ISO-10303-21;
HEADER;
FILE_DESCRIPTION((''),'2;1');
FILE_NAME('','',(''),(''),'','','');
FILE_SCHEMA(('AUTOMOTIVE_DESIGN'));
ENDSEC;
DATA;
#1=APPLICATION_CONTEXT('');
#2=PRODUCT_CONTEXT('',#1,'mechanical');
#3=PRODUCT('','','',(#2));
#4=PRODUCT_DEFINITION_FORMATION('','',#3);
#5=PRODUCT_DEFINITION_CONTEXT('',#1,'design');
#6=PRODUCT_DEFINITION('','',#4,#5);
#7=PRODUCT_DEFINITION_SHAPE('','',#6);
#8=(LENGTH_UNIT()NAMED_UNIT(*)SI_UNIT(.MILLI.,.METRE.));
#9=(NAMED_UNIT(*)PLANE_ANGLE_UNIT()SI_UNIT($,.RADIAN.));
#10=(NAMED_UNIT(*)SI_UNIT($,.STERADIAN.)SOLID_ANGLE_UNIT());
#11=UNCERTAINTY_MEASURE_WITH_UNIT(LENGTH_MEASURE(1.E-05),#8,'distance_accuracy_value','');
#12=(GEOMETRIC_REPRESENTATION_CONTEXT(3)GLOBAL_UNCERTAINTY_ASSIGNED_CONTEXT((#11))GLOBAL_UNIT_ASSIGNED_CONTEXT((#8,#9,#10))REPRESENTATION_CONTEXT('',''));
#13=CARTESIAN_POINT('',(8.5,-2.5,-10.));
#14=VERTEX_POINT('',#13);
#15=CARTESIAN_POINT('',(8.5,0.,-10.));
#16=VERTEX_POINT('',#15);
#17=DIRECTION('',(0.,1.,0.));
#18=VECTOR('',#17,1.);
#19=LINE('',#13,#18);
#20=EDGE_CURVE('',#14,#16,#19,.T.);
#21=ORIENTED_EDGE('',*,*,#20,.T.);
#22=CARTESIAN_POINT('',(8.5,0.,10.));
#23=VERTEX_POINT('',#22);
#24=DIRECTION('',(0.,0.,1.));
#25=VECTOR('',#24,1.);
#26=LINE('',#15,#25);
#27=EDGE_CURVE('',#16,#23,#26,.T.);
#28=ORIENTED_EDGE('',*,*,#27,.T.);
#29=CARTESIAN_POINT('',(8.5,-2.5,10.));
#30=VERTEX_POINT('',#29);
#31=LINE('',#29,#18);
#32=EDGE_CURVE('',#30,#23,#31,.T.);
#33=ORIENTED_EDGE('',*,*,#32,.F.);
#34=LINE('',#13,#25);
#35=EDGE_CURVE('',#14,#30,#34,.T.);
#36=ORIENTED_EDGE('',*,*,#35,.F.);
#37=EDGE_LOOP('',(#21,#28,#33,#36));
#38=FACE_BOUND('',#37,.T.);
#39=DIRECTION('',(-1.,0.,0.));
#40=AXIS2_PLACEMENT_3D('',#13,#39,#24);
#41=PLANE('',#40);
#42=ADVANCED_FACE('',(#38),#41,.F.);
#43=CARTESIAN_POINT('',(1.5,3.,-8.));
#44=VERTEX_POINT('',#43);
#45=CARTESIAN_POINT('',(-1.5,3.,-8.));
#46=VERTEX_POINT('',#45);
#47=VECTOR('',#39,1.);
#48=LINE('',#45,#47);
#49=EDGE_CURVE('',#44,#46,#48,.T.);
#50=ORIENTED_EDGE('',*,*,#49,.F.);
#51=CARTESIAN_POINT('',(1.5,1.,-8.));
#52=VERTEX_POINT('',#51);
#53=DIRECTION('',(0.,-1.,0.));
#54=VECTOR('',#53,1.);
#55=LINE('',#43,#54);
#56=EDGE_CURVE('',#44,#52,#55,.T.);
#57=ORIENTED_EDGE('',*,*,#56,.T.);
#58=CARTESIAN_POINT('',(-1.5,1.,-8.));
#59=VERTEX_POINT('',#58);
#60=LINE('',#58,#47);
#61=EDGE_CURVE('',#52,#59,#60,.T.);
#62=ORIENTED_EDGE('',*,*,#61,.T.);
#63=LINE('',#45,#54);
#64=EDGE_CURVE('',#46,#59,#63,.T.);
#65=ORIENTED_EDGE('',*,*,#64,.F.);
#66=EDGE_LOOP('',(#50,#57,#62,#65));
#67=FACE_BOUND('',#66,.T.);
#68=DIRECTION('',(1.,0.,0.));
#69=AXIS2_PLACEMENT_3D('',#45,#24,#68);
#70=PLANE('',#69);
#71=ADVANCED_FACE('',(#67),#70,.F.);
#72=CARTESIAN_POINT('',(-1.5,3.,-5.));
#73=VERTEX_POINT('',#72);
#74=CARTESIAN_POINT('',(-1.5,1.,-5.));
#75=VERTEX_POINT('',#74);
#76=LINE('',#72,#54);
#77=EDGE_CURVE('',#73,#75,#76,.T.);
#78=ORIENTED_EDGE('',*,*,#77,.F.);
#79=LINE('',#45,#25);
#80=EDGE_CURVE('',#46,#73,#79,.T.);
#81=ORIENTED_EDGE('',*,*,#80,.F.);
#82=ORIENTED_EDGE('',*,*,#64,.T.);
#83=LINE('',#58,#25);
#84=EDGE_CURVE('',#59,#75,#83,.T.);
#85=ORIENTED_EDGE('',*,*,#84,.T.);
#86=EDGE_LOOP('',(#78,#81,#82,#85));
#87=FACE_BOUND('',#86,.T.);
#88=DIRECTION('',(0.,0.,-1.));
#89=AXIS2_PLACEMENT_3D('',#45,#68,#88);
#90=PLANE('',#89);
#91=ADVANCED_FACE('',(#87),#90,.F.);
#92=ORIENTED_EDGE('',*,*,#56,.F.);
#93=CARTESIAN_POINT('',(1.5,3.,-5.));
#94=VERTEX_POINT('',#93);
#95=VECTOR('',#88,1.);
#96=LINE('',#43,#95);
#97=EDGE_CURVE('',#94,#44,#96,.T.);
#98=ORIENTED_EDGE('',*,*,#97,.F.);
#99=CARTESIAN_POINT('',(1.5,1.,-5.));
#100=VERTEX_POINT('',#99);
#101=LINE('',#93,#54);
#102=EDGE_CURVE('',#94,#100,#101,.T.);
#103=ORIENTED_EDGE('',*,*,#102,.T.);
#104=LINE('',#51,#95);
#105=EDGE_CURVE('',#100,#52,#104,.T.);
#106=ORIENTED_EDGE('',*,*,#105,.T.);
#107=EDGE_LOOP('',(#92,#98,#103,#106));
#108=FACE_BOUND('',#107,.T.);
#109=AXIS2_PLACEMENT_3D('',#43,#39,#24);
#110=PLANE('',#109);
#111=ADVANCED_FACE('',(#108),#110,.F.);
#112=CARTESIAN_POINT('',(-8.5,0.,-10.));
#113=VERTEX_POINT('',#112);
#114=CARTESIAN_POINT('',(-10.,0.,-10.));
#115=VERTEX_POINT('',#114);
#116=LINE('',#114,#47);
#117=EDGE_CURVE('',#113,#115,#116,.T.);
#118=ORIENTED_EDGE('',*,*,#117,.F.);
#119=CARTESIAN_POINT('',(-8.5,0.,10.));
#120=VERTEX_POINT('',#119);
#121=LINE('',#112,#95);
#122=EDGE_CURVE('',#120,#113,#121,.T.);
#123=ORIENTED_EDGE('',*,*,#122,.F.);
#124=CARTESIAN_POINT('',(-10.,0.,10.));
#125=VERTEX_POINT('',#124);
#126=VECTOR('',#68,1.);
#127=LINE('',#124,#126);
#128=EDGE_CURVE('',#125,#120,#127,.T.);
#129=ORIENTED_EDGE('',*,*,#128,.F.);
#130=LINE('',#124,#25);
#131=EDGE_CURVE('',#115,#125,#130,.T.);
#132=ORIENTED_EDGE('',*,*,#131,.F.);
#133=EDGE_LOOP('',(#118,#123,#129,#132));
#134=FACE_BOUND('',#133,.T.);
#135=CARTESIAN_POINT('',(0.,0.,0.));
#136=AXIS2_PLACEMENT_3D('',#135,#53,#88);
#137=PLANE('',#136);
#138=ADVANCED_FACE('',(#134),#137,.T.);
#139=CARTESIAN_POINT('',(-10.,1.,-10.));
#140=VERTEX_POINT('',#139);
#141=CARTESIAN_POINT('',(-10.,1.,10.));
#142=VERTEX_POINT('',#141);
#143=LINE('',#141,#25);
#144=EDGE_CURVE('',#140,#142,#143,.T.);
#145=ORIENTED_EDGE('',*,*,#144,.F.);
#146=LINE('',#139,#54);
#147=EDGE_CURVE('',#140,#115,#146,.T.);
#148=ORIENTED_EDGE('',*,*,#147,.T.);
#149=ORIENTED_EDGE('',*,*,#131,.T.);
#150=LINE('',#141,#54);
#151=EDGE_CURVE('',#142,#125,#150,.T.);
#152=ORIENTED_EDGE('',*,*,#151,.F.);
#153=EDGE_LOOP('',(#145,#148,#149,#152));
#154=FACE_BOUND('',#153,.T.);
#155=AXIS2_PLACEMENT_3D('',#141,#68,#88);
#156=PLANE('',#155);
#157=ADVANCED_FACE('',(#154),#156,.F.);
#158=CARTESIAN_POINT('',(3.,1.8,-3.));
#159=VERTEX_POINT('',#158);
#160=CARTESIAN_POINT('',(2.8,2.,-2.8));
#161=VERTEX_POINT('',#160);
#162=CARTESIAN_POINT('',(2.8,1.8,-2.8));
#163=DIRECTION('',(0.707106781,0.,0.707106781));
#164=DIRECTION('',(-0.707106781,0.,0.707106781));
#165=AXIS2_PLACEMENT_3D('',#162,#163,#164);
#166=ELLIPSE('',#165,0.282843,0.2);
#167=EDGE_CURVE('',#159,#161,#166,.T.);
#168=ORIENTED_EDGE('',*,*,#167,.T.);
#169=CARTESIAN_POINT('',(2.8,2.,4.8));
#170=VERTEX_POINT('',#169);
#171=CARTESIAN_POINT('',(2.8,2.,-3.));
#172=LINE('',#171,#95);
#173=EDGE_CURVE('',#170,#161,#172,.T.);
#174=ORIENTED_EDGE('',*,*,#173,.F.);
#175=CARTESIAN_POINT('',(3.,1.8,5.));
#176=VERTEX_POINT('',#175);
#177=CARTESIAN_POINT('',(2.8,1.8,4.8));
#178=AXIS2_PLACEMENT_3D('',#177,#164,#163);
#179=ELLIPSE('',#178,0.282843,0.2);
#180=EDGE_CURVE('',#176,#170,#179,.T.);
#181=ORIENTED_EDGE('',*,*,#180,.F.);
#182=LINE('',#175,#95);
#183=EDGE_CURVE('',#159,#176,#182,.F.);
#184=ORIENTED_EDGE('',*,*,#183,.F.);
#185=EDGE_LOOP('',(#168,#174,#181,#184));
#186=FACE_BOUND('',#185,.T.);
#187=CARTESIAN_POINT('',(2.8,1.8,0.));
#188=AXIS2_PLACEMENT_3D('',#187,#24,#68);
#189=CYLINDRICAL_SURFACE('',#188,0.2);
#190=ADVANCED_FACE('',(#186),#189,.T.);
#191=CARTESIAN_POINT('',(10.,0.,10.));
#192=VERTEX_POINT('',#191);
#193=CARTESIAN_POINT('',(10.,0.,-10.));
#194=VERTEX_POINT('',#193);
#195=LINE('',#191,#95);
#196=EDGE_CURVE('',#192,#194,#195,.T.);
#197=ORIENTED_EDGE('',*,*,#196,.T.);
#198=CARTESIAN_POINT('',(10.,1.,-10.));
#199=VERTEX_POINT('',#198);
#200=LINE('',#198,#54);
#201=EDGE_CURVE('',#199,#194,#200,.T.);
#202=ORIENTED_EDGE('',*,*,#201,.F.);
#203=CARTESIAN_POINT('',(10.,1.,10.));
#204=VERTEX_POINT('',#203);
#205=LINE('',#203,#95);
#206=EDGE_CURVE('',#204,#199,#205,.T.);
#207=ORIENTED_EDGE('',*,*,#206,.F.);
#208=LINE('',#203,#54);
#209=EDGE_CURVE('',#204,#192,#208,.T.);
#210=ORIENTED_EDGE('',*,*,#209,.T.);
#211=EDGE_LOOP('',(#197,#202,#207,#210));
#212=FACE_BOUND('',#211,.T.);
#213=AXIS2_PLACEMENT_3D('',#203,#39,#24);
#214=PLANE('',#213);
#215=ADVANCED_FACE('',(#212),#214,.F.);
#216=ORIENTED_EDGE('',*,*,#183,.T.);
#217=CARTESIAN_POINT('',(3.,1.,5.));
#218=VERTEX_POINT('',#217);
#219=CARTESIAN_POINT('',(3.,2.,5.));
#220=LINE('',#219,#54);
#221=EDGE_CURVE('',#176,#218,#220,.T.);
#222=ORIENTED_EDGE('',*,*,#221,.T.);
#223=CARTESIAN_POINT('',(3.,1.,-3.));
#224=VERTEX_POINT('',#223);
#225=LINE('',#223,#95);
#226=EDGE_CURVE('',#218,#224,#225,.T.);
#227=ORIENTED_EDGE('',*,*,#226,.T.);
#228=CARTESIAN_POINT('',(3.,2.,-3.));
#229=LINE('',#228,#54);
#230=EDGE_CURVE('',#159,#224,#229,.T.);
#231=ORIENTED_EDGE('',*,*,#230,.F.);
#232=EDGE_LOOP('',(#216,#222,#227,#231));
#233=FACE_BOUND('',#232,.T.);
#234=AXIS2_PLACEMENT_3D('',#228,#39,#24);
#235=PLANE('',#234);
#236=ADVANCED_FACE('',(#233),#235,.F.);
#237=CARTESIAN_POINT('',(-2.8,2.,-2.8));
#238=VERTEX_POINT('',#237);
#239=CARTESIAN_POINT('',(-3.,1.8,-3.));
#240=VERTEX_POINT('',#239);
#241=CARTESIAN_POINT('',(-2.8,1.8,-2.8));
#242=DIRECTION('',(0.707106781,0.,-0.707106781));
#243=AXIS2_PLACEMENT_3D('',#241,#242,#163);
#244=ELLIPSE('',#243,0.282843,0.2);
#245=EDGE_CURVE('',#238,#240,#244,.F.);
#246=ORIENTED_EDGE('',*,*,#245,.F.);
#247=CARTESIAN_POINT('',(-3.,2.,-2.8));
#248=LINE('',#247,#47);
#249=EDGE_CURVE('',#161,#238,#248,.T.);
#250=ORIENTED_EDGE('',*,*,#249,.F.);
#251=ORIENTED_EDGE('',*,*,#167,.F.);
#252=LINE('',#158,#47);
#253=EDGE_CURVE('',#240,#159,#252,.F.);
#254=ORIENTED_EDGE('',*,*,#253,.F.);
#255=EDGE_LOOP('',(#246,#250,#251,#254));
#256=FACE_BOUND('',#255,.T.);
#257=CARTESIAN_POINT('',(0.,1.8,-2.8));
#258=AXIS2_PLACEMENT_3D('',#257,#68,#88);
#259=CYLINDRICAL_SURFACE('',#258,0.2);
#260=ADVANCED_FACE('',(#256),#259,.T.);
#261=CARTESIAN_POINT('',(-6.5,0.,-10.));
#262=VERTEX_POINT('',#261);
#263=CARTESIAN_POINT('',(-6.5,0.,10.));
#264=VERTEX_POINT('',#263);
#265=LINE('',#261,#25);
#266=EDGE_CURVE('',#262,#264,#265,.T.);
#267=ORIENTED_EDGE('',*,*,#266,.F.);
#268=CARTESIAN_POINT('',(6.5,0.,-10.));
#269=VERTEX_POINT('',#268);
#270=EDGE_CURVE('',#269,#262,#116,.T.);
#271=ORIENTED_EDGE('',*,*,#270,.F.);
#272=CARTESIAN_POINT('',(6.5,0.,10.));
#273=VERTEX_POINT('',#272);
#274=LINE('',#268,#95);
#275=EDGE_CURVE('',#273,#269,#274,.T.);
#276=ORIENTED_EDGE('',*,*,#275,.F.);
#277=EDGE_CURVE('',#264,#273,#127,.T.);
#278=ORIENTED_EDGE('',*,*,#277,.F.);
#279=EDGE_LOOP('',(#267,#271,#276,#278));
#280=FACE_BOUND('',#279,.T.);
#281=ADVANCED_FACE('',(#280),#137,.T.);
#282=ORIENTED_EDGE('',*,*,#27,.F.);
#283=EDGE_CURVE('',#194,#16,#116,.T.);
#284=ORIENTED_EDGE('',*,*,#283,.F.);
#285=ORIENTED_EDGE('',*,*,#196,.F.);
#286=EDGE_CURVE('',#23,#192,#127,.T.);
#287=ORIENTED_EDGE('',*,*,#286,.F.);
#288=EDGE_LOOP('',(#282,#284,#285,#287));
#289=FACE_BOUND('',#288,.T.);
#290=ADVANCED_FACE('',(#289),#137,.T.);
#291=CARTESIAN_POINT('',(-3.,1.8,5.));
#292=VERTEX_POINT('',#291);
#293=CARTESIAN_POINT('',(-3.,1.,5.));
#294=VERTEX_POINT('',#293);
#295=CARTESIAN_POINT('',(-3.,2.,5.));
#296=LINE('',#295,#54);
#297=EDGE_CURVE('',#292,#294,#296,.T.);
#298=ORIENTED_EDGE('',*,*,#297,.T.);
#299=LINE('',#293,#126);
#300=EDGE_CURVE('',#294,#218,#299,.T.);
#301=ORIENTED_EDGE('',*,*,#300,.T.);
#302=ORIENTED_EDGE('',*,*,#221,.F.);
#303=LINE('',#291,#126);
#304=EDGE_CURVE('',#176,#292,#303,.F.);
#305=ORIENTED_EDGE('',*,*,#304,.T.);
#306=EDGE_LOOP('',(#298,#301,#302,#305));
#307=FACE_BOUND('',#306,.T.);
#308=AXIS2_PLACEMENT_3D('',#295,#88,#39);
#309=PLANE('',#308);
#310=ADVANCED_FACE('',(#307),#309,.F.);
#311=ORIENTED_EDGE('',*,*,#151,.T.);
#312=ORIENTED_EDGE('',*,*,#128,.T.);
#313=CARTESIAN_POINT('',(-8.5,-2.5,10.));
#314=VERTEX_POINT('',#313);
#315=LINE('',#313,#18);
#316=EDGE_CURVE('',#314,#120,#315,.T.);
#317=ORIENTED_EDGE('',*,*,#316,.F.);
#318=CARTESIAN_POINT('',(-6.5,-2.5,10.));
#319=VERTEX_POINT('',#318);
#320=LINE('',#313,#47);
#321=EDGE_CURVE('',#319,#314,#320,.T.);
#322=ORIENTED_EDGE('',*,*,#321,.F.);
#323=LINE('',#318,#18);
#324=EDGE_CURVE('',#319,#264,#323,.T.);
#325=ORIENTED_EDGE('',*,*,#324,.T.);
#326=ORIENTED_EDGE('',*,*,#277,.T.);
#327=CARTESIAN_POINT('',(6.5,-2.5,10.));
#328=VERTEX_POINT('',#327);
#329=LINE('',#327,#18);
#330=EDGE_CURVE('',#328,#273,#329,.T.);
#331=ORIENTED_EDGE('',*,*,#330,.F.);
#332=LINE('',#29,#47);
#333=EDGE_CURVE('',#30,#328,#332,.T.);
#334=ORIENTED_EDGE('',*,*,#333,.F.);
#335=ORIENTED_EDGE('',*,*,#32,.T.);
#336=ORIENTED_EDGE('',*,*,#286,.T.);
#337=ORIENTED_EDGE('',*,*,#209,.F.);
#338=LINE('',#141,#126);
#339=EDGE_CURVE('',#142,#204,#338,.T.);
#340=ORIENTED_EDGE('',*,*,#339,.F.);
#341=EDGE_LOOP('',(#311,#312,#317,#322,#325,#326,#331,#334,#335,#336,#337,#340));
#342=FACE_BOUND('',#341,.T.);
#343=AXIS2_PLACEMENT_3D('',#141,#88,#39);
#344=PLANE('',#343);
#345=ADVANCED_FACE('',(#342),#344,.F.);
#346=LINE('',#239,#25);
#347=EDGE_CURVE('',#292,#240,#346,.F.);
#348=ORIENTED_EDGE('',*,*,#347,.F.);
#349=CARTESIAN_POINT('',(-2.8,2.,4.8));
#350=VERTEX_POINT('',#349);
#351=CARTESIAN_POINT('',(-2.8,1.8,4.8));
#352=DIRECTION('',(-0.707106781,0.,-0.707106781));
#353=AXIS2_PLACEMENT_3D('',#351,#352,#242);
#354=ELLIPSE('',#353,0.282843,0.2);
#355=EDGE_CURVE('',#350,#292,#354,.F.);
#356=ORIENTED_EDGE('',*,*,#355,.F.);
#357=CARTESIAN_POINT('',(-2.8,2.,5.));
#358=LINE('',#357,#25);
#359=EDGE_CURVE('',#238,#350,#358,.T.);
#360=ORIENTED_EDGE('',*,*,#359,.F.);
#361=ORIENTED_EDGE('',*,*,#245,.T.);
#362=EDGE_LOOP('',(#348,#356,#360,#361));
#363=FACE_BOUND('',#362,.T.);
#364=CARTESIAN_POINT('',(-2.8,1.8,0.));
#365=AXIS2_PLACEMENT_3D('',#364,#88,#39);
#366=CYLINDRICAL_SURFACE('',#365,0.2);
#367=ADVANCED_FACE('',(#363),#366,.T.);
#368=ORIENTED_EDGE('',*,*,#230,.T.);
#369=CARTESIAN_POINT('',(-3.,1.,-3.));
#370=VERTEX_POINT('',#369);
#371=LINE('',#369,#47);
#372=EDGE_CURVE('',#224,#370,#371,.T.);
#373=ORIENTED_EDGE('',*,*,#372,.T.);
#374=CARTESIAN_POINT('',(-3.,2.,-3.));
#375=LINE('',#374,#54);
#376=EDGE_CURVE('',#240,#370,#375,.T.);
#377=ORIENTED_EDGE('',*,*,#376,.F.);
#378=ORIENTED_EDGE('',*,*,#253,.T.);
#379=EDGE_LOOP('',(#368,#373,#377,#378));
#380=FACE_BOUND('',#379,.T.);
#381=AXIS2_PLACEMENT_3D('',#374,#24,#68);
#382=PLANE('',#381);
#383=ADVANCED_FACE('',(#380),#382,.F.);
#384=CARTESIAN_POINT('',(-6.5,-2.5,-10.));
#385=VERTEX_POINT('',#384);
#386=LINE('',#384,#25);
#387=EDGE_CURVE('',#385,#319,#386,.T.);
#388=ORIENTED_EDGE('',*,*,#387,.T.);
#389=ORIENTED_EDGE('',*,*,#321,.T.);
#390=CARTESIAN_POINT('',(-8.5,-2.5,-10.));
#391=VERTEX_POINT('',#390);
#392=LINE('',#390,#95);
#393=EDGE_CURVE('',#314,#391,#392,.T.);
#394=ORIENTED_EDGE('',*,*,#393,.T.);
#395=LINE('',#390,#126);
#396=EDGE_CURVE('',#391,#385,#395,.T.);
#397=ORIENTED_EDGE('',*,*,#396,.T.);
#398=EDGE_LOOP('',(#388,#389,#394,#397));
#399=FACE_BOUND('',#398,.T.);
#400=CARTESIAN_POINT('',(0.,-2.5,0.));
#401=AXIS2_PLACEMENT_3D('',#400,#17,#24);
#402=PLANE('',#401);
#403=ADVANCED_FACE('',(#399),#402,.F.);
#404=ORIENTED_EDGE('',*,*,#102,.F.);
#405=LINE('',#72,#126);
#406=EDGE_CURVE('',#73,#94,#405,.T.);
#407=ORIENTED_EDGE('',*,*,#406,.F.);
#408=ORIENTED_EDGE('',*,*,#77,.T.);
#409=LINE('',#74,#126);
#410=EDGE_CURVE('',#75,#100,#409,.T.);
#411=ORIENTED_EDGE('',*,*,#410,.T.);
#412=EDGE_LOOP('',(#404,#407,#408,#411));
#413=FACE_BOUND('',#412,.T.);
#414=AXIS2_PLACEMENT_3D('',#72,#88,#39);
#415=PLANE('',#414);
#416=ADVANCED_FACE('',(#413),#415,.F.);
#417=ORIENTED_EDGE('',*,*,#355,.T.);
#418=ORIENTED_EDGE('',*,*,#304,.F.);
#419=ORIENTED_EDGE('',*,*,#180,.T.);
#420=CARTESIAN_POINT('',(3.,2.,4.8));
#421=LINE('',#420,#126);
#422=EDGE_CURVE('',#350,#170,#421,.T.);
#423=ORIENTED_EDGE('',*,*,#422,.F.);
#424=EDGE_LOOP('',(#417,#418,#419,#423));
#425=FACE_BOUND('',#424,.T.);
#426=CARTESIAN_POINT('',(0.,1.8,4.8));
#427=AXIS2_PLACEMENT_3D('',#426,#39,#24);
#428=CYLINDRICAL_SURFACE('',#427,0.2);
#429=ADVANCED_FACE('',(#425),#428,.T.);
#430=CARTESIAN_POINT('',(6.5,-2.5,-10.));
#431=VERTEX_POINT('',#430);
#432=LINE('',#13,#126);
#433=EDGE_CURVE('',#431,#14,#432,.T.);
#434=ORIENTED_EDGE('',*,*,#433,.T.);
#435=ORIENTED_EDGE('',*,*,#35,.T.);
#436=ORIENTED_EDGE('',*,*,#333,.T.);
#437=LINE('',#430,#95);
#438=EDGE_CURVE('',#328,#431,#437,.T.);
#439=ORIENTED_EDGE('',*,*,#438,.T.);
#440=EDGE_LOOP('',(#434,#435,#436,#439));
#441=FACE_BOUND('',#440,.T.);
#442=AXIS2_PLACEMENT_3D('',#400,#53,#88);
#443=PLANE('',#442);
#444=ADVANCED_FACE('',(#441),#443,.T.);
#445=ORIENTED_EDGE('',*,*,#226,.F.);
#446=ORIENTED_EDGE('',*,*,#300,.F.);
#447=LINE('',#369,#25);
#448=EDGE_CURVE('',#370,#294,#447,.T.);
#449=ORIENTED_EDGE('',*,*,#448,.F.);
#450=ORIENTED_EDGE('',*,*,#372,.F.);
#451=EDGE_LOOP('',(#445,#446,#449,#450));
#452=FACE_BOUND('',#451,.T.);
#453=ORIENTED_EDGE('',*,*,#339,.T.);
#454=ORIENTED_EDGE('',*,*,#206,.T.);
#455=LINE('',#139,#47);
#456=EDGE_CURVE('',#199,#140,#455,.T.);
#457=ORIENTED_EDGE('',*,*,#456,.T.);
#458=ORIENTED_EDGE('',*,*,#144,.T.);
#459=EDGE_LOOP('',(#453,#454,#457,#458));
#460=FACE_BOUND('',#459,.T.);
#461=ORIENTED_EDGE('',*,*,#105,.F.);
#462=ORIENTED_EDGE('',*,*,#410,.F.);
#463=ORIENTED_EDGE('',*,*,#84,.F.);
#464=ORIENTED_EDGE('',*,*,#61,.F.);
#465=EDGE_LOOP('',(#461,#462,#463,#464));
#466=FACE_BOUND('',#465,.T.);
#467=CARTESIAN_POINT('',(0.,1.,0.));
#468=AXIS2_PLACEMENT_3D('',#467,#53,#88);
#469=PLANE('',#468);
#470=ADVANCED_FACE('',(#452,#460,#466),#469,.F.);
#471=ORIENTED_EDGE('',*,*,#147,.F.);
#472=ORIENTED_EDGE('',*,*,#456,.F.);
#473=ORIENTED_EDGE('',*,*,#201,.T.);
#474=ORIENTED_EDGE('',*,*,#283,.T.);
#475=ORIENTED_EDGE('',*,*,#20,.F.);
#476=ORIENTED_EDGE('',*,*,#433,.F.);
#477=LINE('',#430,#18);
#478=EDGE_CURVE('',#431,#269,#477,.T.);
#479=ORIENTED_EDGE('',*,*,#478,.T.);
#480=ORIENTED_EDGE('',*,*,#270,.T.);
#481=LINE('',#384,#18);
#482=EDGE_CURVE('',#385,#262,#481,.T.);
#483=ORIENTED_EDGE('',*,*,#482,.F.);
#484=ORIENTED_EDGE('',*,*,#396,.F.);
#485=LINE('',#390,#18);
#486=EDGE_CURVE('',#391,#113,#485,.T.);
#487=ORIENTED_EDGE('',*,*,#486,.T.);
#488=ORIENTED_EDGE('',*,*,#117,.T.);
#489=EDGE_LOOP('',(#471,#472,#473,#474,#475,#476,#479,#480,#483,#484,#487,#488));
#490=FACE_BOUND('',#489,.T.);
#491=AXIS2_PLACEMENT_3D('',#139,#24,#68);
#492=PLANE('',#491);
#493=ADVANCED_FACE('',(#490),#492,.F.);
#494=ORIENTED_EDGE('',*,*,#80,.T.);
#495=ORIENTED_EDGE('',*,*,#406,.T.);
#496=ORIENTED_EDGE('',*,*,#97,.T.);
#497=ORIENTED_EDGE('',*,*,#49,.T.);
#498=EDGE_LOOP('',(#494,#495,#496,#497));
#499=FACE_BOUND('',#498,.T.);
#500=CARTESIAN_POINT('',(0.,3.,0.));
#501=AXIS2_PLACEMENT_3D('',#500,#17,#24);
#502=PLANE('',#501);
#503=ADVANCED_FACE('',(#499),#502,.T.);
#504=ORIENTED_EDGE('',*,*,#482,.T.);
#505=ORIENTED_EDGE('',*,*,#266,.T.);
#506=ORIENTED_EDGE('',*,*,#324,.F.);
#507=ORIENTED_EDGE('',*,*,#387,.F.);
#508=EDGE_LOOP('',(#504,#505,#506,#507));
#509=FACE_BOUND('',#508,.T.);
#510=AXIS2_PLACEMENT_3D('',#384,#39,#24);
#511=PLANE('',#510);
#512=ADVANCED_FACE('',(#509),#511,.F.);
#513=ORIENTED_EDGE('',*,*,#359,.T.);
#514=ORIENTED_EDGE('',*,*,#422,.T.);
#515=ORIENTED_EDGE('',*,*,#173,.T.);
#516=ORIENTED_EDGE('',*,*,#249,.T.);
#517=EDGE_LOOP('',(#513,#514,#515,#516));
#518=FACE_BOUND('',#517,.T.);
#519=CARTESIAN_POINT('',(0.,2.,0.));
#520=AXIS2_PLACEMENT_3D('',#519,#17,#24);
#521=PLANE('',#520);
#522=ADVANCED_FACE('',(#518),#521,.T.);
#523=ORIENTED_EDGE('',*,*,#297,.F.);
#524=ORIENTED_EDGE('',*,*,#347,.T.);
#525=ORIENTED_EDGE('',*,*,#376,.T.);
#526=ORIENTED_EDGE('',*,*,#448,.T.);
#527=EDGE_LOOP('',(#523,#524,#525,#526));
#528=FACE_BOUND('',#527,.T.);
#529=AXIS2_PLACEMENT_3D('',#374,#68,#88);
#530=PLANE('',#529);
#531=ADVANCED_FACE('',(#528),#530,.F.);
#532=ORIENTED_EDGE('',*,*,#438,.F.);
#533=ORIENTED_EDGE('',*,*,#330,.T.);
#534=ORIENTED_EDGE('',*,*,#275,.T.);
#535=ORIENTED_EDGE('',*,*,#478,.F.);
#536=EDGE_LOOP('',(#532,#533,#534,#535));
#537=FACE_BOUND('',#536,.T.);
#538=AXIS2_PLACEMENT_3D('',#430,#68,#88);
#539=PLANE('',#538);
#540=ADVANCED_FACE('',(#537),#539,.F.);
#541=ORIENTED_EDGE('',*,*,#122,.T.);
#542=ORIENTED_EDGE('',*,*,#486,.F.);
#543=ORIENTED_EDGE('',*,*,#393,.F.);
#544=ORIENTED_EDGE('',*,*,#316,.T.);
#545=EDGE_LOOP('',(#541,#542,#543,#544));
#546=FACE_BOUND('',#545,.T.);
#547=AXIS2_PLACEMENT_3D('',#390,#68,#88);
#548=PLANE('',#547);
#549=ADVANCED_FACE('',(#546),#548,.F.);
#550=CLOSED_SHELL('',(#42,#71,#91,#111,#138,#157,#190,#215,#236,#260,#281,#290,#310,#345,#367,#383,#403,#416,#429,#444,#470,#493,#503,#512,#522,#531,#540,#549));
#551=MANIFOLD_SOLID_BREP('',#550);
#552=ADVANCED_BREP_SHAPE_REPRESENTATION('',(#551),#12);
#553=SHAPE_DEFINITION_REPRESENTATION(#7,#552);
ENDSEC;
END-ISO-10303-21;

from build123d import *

# Parameters (mm, degrees)
CROQUIS1_W              = 20
CROQUIS1_H              = 20
SALIENTE_EXTRUIR1_DEPTH = 1
CROQUIS2_W              = 6
CROQUIS2_H              = 8
SALIENTE_EXTRUIR2_DEPTH = 1
REDONDEO1_R             = 0.2
CROQUIS3_W              = 3
CROQUIS3_H              = 3
SALIENTE_EXTRUIR3_DEPTH = 2
CROQUIS4_W              = 2
CROQUIS4_H              = 20
SALIENTE_EXTRUIR4_DEPTH = 2.5


with BuildPart() as part:
    # Croquis1 → Saliente-Extruir1 (new body)
    with BuildSketch(Plane(origin=(0, 0, 0), x_dir=(1, 0, 0), z_dir=(0, 1, 0))):
        Rectangle(CROQUIS1_W, CROQUIS1_H)
    extrude(amount=SALIENTE_EXTRUIR1_DEPTH)

    # Croquis2 → Saliente-Extruir2 (add)
    with BuildSketch(Plane(origin=(0, 1, 0), x_dir=(1, 0, 0), z_dir=(0, 1, 0))):
        with Locations((0, -1)):
            Rectangle(CROQUIS2_W, CROQUIS2_H)
    extrude(amount=SALIENTE_EXTRUIR2_DEPTH)

    # Redondeo1
    redondeo1_edges = [part.edges().sort_by_distance(p)[0] for p in [
        (3, 2, 1),
        (0, 2, -3),
        (-3, 2, 1),
        (0, 2, 5),
    ]]
    fillet(redondeo1_edges, radius=REDONDEO1_R)

    # Croquis3 → Saliente-Extruir3 (add)
    with BuildSketch(Plane(origin=(0, 1, 0), x_dir=(1, 0, 0), z_dir=(0, 1, 0))):
        with Locations((0, 6.5)):
            Rectangle(CROQUIS3_W, CROQUIS3_H)
    extrude(amount=SALIENTE_EXTRUIR3_DEPTH)

    # Croquis4 → Saliente-Extruir4 (add)
    with BuildSketch(Plane.XZ):
        with Locations((-7.5, 0)):
            Rectangle(CROQUIS4_W, CROQUIS4_H)
        with Locations((7.5, 0)):
            Rectangle(CROQUIS4_W, CROQUIS4_H)
    extrude(amount=SALIENTE_EXTRUIR4_DEPTH)


solid = part.part
